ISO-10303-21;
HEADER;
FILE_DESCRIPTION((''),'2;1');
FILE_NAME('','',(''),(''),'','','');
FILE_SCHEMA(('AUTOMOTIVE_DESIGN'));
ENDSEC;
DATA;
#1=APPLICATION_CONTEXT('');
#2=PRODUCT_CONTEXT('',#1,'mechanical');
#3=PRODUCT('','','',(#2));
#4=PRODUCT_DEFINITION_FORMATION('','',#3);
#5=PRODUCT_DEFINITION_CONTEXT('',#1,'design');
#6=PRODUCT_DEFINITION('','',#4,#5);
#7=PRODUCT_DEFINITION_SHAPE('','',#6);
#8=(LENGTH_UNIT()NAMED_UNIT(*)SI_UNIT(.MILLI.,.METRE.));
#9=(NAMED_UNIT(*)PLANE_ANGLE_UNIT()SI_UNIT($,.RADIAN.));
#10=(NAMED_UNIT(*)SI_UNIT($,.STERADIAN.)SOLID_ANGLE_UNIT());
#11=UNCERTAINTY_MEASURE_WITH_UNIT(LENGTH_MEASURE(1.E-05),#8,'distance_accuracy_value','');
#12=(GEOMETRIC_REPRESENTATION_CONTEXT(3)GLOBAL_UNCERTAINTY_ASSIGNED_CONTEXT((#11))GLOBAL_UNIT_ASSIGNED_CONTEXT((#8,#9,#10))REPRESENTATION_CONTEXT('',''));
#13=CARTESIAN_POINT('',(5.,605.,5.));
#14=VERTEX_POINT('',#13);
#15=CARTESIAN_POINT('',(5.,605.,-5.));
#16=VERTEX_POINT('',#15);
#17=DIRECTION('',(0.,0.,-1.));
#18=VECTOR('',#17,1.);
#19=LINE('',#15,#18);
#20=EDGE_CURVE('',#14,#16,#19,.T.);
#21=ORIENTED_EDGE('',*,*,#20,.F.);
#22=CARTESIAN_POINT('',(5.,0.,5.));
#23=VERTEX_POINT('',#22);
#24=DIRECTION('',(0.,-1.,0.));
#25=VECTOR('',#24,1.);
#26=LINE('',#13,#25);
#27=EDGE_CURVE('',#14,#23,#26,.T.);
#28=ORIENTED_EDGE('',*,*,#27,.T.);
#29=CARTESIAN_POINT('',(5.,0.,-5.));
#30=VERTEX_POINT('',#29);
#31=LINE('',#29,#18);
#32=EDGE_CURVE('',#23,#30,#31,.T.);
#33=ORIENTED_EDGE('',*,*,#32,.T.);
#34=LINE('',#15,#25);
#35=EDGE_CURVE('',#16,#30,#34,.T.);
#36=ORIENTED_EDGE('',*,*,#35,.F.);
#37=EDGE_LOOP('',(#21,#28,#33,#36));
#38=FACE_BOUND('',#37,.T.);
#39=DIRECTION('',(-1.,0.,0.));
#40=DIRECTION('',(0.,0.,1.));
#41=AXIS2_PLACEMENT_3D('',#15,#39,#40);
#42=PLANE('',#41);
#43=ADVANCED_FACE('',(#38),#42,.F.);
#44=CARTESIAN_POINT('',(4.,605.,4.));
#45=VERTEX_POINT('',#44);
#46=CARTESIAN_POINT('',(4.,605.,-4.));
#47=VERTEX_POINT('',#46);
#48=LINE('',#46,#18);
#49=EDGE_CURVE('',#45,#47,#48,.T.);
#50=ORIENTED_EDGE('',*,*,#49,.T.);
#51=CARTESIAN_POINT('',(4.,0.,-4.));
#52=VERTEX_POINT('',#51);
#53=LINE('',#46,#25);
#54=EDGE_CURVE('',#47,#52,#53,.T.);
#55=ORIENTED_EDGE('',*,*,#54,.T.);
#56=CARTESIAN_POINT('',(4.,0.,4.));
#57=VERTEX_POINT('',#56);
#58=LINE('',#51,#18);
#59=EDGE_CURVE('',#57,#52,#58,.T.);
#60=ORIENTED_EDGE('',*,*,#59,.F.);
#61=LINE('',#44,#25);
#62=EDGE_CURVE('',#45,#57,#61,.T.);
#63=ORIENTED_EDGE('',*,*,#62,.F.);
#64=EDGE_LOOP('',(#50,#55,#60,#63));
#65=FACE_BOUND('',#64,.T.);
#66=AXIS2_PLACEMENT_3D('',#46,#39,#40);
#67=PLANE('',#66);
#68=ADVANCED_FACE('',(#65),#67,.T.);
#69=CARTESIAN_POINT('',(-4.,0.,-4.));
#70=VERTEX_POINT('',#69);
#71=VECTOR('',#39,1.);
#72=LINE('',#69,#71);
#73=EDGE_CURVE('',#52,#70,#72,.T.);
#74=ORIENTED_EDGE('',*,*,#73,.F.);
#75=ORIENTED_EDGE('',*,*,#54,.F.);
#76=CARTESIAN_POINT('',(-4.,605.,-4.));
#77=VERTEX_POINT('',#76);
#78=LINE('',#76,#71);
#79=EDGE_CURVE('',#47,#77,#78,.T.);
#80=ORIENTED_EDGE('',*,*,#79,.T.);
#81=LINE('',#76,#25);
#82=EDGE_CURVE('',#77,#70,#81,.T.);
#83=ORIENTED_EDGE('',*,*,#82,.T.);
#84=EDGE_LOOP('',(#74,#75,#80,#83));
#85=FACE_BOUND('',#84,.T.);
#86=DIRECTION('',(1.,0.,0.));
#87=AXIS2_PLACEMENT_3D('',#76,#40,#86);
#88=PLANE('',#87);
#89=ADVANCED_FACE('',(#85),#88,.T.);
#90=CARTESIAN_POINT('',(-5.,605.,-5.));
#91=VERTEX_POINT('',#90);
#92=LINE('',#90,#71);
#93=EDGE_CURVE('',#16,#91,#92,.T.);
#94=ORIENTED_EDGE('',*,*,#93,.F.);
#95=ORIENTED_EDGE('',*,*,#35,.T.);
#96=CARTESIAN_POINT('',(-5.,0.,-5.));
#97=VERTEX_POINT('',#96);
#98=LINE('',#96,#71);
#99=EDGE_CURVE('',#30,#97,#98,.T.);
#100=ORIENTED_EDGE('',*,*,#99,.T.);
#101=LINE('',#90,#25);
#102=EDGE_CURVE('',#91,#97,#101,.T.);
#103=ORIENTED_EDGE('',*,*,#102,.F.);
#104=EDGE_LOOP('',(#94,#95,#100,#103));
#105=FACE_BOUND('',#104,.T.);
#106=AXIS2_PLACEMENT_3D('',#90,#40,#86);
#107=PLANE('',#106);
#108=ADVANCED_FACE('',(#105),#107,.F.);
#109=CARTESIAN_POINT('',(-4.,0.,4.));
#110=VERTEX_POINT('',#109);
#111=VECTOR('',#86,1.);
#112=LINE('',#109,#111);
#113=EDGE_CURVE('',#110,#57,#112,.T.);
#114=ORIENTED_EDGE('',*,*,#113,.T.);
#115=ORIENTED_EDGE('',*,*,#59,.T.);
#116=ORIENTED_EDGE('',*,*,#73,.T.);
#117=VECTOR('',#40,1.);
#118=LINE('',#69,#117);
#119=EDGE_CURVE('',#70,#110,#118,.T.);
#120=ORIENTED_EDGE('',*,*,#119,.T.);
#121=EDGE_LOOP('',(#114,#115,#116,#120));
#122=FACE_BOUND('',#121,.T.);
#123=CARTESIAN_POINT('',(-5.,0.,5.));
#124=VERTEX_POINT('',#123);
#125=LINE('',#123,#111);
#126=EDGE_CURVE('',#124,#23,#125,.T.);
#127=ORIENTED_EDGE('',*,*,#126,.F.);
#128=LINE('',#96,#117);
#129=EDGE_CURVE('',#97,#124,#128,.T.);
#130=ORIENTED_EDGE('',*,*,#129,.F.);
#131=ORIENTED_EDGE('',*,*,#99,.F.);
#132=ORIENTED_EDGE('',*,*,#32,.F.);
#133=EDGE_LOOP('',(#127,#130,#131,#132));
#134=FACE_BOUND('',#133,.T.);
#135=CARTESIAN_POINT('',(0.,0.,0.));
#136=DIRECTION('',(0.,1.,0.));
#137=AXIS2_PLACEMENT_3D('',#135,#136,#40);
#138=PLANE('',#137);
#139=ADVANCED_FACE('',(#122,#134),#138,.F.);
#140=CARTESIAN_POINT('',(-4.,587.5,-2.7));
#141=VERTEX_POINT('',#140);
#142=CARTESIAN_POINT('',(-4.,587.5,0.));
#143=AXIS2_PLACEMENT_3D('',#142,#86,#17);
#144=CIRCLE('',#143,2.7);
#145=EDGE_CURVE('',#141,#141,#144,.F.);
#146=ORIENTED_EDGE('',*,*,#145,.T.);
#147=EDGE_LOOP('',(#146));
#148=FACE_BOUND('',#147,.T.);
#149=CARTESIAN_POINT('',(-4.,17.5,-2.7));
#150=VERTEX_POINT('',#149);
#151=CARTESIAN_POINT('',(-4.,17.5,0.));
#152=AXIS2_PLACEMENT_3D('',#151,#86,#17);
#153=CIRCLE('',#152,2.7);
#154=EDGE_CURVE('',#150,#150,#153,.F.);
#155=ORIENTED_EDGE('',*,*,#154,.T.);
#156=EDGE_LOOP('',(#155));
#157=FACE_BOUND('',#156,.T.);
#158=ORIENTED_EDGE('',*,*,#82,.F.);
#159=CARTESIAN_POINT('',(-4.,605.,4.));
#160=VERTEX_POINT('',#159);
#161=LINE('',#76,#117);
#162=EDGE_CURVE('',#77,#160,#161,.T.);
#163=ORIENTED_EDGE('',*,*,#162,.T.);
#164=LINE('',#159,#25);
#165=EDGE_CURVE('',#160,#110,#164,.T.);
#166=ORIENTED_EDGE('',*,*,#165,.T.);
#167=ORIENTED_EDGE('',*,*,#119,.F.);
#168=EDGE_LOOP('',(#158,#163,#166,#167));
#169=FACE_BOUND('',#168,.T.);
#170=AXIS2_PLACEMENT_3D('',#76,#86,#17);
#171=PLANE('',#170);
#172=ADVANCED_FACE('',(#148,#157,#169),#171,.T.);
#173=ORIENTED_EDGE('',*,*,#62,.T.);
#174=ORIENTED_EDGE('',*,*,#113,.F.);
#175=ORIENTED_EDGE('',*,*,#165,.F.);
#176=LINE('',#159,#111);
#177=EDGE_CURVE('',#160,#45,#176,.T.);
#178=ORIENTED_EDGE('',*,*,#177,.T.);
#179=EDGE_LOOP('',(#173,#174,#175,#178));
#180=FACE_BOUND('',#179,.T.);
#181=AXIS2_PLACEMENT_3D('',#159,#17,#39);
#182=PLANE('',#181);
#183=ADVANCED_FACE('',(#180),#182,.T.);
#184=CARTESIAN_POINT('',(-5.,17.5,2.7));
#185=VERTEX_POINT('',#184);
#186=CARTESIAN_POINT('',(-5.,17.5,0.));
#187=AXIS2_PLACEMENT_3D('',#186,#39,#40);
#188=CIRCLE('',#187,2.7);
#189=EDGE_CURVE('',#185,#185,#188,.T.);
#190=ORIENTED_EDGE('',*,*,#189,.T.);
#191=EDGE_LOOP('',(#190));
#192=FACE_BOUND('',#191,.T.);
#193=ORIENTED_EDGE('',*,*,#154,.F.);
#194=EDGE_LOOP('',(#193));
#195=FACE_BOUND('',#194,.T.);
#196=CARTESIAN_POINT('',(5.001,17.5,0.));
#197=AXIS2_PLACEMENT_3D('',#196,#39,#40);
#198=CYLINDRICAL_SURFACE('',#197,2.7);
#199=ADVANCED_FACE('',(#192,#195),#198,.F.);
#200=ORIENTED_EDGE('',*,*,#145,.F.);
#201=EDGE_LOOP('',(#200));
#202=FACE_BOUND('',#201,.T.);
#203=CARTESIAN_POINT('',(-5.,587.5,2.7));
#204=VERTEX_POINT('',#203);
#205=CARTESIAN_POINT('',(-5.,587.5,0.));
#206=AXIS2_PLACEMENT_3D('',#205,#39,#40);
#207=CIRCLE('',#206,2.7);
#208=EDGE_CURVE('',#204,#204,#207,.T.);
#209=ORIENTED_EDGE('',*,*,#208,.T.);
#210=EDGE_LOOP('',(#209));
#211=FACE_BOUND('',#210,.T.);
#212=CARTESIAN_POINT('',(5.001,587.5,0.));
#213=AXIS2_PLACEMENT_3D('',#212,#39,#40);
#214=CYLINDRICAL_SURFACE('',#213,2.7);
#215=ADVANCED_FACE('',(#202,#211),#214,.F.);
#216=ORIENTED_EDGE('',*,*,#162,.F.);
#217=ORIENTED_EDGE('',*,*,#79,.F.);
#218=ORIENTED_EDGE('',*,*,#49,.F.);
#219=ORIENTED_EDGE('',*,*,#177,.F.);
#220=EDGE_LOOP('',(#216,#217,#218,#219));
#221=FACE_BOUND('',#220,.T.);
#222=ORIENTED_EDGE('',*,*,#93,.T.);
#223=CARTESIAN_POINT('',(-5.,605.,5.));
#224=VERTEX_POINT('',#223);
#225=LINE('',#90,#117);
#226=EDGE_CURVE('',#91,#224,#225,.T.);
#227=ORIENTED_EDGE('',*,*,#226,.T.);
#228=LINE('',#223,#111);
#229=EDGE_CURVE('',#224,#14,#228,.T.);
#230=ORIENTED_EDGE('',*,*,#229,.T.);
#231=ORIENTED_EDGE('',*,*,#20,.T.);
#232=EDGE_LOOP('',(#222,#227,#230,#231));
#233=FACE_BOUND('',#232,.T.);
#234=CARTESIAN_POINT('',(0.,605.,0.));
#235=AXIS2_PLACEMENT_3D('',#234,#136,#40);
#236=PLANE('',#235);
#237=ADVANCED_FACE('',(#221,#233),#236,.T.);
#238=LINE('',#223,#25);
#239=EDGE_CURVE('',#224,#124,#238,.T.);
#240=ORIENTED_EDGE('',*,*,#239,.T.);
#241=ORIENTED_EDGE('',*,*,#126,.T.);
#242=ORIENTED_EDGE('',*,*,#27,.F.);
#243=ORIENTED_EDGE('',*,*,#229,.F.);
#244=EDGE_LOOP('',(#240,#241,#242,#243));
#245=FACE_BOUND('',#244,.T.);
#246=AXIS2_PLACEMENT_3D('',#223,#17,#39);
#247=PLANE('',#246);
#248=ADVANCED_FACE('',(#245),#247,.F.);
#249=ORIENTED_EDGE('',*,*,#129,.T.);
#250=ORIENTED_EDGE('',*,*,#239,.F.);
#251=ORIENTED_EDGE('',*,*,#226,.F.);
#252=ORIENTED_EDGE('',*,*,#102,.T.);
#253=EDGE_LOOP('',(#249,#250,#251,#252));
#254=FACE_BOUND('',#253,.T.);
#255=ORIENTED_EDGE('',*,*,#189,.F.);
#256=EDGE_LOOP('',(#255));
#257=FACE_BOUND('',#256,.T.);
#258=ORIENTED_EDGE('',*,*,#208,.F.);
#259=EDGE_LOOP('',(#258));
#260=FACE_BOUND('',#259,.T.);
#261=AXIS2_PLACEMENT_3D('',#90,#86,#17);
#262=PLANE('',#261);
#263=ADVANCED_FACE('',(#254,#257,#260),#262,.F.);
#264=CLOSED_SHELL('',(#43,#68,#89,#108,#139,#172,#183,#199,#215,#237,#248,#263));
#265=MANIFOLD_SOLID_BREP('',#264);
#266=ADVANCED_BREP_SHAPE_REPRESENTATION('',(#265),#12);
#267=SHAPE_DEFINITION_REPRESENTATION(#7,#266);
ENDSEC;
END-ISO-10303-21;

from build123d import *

# Parameters (mm, degrees)
SKETCH_1_W          = 10
SKETCH_1_H          = 10
SKETCH_1_W_2        = 8
SKETCH_1_H_2        = 8
EXTRUDE_1_DEPTH     = 605
CUT_EXTRUDE_1_REACH = 607.103
SKETCH_2_R          = 2.7


with BuildPart() as part:
    # Эскиз1 → Бобышка-Вытянуть1 (new body)
    with BuildSketch(Plane(origin=(0, 0, 0), x_dir=(1, 0, 0), z_dir=(0, 1, 0))):
        Rectangle(SKETCH_1_W, SKETCH_1_H)
        Rectangle(SKETCH_1_W_2, SKETCH_1_H_2, mode=Mode.SUBTRACT)
    extrude(amount=EXTRUDE_1_DEPTH)

    # Эскиз2 → Вырез-Вытянуть1 (cut, up to next)
    with BuildSketch(Plane.ZY.offset(5), mode=Mode.PRIVATE) as cut_extrude_1_sk1:
        with Locations((0, 17.5)):
            Circle(SKETCH_2_R)
    cut_extrude_1_tool1 = extrude(cut_extrude_1_sk1.sketch, amount=-CUT_EXTRUDE_1_REACH, mode=Mode.PRIVATE) & part.part
    # Эскиз2 → Вырез-Вытянуть1 (cut, up to next)
    with BuildSketch(Plane.ZY.offset(5), mode=Mode.PRIVATE) as cut_extrude_1_sk2:
        with Locations((0, 587.5)):
            Circle(SKETCH_2_R)
    cut_extrude_1_tool2 = extrude(cut_extrude_1_sk2.sketch, amount=-CUT_EXTRUDE_1_REACH, mode=Mode.PRIVATE) & part.part
    add(cut_extrude_1_tool1.solids().sort_by_distance((-5, 17.5, 0))[0], mode=Mode.SUBTRACT)
    add(cut_extrude_1_tool2.solids().sort_by_distance((-5, 587.5, 0))[0], mode=Mode.SUBTRACT)


solid = part.part
